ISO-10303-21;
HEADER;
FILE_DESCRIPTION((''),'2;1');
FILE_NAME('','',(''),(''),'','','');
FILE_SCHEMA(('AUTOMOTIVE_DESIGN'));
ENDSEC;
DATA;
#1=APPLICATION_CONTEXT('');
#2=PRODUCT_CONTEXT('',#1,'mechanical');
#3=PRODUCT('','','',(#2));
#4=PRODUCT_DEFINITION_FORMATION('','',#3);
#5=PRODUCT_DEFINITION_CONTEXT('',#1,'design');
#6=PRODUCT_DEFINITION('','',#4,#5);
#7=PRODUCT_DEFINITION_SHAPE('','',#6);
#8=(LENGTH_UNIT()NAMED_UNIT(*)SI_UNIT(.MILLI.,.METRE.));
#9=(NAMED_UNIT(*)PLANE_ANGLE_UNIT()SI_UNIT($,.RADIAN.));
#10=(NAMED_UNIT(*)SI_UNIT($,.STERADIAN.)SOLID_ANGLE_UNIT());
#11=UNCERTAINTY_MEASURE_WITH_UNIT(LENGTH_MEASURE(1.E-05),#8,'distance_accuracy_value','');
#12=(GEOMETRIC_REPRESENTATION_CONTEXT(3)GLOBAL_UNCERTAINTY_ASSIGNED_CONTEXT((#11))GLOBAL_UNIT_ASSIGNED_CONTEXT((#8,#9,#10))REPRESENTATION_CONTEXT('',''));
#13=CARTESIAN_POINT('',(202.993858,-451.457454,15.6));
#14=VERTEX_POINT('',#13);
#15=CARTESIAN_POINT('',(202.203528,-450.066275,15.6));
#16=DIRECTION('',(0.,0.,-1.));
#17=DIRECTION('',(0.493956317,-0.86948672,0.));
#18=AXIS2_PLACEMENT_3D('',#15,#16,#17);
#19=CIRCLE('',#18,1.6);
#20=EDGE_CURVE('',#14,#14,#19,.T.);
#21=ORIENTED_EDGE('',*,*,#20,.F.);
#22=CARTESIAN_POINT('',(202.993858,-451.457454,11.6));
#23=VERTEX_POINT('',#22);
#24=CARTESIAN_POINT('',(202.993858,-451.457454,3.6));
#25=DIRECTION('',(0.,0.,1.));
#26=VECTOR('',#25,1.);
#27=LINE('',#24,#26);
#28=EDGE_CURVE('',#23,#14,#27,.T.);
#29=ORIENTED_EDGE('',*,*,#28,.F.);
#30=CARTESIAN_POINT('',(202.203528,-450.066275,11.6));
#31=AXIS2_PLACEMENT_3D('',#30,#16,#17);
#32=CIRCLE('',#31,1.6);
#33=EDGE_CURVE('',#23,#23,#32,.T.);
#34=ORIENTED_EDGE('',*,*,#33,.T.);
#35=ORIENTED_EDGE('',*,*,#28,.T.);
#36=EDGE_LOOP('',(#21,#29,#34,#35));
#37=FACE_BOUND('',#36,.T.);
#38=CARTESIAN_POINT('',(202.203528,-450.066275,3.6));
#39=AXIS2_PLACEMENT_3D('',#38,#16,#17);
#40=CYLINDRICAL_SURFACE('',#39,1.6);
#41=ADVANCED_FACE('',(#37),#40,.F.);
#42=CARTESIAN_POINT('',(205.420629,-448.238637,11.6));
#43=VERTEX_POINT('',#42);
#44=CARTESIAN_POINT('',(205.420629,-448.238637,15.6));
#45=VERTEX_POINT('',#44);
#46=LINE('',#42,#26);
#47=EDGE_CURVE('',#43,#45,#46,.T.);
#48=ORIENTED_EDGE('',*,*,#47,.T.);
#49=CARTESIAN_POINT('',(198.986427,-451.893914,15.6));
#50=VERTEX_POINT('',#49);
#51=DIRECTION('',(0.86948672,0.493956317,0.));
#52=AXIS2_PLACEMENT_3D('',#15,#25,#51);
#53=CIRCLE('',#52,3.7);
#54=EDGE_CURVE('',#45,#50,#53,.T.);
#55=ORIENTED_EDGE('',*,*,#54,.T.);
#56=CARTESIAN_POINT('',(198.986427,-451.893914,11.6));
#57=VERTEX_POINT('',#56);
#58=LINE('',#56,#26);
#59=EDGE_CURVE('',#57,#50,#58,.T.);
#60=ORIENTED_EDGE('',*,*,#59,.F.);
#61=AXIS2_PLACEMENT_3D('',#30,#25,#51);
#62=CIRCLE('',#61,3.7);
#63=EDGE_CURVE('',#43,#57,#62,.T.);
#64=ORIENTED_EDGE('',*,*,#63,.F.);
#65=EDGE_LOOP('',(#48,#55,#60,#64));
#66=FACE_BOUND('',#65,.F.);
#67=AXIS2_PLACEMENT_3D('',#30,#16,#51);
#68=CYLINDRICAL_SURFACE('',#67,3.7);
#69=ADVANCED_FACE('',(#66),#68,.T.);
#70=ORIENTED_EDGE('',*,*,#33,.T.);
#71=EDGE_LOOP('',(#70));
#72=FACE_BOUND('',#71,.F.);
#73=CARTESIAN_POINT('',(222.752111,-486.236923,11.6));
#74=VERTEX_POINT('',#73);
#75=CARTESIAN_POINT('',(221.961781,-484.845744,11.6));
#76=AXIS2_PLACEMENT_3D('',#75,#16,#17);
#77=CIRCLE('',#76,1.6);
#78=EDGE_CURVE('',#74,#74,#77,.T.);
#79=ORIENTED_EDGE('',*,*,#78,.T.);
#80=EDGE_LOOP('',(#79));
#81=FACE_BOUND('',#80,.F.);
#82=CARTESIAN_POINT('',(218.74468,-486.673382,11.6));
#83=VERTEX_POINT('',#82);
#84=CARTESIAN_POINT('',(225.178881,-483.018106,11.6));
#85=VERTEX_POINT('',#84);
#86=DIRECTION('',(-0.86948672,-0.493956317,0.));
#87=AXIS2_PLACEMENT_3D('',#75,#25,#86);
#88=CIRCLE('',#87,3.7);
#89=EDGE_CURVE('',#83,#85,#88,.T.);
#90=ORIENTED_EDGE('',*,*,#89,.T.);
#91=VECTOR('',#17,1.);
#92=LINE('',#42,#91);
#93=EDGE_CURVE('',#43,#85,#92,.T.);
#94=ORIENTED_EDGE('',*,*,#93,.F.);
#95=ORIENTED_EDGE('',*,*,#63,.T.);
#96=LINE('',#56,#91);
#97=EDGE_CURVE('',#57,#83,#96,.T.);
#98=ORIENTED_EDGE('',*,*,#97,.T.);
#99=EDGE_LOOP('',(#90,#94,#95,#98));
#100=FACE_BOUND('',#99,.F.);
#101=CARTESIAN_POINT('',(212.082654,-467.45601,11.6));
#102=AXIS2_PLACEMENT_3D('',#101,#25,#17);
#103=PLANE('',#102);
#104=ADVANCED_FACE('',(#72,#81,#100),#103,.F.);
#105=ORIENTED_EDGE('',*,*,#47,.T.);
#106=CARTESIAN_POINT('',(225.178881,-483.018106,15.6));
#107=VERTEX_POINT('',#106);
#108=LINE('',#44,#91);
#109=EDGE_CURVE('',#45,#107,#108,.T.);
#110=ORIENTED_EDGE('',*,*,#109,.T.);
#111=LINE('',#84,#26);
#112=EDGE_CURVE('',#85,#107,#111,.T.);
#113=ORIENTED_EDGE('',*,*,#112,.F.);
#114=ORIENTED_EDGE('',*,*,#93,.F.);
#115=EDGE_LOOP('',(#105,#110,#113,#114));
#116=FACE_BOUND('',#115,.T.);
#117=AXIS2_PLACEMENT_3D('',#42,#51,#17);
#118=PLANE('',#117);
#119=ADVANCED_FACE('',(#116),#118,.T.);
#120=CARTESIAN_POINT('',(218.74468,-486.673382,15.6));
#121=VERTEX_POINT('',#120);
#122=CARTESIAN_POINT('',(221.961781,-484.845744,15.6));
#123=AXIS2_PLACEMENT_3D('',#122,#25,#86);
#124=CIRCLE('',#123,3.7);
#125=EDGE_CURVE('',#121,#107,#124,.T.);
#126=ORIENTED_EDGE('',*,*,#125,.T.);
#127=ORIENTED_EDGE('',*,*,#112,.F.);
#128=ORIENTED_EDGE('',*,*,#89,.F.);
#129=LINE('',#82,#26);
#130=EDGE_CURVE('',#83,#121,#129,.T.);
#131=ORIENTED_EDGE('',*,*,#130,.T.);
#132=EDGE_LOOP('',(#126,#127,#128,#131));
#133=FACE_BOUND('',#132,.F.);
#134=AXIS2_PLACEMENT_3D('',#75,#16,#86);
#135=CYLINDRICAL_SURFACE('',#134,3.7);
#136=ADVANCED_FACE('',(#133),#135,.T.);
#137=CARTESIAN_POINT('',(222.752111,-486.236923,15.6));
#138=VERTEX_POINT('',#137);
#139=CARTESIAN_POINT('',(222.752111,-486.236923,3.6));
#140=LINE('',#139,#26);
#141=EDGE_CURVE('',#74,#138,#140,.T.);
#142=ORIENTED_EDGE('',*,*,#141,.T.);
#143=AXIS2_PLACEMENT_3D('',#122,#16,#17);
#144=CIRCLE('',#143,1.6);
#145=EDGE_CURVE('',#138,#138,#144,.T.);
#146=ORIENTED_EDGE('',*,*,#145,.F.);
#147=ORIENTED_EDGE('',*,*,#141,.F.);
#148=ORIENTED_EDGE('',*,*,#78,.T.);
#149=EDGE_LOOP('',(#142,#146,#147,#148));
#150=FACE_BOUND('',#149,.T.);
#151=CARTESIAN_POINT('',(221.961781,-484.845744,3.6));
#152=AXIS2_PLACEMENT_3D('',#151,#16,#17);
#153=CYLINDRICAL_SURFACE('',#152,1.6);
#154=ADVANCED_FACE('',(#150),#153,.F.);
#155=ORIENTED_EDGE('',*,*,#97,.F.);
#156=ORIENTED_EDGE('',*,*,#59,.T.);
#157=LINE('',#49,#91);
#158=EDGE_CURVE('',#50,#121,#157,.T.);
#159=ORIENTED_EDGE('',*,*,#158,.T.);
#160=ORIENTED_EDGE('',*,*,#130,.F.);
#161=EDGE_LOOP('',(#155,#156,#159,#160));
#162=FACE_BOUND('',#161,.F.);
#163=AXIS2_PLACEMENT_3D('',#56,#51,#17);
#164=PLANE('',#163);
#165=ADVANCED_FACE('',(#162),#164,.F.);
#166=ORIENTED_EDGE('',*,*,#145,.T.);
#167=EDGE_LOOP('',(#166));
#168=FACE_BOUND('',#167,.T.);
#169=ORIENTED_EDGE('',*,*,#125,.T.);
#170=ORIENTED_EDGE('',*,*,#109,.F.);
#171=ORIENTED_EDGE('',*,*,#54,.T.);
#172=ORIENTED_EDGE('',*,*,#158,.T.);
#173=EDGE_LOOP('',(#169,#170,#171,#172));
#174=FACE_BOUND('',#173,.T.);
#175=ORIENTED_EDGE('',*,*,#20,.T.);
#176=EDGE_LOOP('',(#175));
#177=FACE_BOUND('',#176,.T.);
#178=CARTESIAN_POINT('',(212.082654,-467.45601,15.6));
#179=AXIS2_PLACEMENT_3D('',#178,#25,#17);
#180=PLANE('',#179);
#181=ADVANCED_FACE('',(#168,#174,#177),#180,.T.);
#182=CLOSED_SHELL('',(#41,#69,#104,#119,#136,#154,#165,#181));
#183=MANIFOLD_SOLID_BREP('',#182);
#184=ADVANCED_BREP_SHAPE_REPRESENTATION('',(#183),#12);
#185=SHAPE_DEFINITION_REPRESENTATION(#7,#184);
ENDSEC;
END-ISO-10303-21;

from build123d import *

# Parameters (mm, degrees)
CYLINDER005_R            = 1.6
CYLINDER005_DEPTH        = 30
PAD002_DEPTH             = 4
CLONE017_PLACEMENT_ANGLE = 60.399047773


with BuildPart() as finger_drill_master:
    # Cylinder005 → Cylinder005 (new body)
    with BuildSketch(Plane.XY.offset(-8)):
        Circle(CYLINDER005_R)
    extrude(amount=CYLINDER005_DEPTH)


with BuildPart() as clone006:
    # Clone006 base: copy of finger-drill-master
    add(finger_drill_master.part)


with BuildPart() as clone006_1:
    # Clone006 placement: moved
    add(clone006.part.moved(Location((40, 0, 0))))


with BuildPart() as fusion012:
    # Clone005 base: copy of finger-drill-master
    add(finger_drill_master.part)

    # Fusion012: union Clone006
    add(clone006_1.part)


with BuildPart() as clone_of_right_link:
    # Sketch002 → Pad002 (new body)
    with BuildSketch(Plane.XY):
        with BuildLine():
            ThreePointArc((0, 3.7), (-3.7, 0), (0, -3.7))
            Line((0, -3.7), (40, -3.7))
            ThreePointArc((40, -3.7), (43.7, 0), (40, 3.7))
            Line((0, 3.7), (40, 3.7))
        make_face()
    extrude(amount=PAD002_DEPTH)

    # Cut001: cut Fusion012
    add(fusion012.part, mode=Mode.SUBTRACT)


with BuildPart() as clone_of_right_link_1:
    # Clone017 placement: moved
    add(clone_of_right_link.part.moved(Location((216.2035278557, 248.9337248036, 4.3))).rotate(Axis((216.2035278557, 248.9337248036, 4.3), (0, 0, -1)), CLONE017_PLACEMENT_ANGLE))


with BuildPart() as clone_of_right_link_2:
    # Clone182 placement: moved
    add(clone_of_right_link_1.part.moved(Location((-14, -699, 7.3))))


solid = clone_of_right_link_2.part
